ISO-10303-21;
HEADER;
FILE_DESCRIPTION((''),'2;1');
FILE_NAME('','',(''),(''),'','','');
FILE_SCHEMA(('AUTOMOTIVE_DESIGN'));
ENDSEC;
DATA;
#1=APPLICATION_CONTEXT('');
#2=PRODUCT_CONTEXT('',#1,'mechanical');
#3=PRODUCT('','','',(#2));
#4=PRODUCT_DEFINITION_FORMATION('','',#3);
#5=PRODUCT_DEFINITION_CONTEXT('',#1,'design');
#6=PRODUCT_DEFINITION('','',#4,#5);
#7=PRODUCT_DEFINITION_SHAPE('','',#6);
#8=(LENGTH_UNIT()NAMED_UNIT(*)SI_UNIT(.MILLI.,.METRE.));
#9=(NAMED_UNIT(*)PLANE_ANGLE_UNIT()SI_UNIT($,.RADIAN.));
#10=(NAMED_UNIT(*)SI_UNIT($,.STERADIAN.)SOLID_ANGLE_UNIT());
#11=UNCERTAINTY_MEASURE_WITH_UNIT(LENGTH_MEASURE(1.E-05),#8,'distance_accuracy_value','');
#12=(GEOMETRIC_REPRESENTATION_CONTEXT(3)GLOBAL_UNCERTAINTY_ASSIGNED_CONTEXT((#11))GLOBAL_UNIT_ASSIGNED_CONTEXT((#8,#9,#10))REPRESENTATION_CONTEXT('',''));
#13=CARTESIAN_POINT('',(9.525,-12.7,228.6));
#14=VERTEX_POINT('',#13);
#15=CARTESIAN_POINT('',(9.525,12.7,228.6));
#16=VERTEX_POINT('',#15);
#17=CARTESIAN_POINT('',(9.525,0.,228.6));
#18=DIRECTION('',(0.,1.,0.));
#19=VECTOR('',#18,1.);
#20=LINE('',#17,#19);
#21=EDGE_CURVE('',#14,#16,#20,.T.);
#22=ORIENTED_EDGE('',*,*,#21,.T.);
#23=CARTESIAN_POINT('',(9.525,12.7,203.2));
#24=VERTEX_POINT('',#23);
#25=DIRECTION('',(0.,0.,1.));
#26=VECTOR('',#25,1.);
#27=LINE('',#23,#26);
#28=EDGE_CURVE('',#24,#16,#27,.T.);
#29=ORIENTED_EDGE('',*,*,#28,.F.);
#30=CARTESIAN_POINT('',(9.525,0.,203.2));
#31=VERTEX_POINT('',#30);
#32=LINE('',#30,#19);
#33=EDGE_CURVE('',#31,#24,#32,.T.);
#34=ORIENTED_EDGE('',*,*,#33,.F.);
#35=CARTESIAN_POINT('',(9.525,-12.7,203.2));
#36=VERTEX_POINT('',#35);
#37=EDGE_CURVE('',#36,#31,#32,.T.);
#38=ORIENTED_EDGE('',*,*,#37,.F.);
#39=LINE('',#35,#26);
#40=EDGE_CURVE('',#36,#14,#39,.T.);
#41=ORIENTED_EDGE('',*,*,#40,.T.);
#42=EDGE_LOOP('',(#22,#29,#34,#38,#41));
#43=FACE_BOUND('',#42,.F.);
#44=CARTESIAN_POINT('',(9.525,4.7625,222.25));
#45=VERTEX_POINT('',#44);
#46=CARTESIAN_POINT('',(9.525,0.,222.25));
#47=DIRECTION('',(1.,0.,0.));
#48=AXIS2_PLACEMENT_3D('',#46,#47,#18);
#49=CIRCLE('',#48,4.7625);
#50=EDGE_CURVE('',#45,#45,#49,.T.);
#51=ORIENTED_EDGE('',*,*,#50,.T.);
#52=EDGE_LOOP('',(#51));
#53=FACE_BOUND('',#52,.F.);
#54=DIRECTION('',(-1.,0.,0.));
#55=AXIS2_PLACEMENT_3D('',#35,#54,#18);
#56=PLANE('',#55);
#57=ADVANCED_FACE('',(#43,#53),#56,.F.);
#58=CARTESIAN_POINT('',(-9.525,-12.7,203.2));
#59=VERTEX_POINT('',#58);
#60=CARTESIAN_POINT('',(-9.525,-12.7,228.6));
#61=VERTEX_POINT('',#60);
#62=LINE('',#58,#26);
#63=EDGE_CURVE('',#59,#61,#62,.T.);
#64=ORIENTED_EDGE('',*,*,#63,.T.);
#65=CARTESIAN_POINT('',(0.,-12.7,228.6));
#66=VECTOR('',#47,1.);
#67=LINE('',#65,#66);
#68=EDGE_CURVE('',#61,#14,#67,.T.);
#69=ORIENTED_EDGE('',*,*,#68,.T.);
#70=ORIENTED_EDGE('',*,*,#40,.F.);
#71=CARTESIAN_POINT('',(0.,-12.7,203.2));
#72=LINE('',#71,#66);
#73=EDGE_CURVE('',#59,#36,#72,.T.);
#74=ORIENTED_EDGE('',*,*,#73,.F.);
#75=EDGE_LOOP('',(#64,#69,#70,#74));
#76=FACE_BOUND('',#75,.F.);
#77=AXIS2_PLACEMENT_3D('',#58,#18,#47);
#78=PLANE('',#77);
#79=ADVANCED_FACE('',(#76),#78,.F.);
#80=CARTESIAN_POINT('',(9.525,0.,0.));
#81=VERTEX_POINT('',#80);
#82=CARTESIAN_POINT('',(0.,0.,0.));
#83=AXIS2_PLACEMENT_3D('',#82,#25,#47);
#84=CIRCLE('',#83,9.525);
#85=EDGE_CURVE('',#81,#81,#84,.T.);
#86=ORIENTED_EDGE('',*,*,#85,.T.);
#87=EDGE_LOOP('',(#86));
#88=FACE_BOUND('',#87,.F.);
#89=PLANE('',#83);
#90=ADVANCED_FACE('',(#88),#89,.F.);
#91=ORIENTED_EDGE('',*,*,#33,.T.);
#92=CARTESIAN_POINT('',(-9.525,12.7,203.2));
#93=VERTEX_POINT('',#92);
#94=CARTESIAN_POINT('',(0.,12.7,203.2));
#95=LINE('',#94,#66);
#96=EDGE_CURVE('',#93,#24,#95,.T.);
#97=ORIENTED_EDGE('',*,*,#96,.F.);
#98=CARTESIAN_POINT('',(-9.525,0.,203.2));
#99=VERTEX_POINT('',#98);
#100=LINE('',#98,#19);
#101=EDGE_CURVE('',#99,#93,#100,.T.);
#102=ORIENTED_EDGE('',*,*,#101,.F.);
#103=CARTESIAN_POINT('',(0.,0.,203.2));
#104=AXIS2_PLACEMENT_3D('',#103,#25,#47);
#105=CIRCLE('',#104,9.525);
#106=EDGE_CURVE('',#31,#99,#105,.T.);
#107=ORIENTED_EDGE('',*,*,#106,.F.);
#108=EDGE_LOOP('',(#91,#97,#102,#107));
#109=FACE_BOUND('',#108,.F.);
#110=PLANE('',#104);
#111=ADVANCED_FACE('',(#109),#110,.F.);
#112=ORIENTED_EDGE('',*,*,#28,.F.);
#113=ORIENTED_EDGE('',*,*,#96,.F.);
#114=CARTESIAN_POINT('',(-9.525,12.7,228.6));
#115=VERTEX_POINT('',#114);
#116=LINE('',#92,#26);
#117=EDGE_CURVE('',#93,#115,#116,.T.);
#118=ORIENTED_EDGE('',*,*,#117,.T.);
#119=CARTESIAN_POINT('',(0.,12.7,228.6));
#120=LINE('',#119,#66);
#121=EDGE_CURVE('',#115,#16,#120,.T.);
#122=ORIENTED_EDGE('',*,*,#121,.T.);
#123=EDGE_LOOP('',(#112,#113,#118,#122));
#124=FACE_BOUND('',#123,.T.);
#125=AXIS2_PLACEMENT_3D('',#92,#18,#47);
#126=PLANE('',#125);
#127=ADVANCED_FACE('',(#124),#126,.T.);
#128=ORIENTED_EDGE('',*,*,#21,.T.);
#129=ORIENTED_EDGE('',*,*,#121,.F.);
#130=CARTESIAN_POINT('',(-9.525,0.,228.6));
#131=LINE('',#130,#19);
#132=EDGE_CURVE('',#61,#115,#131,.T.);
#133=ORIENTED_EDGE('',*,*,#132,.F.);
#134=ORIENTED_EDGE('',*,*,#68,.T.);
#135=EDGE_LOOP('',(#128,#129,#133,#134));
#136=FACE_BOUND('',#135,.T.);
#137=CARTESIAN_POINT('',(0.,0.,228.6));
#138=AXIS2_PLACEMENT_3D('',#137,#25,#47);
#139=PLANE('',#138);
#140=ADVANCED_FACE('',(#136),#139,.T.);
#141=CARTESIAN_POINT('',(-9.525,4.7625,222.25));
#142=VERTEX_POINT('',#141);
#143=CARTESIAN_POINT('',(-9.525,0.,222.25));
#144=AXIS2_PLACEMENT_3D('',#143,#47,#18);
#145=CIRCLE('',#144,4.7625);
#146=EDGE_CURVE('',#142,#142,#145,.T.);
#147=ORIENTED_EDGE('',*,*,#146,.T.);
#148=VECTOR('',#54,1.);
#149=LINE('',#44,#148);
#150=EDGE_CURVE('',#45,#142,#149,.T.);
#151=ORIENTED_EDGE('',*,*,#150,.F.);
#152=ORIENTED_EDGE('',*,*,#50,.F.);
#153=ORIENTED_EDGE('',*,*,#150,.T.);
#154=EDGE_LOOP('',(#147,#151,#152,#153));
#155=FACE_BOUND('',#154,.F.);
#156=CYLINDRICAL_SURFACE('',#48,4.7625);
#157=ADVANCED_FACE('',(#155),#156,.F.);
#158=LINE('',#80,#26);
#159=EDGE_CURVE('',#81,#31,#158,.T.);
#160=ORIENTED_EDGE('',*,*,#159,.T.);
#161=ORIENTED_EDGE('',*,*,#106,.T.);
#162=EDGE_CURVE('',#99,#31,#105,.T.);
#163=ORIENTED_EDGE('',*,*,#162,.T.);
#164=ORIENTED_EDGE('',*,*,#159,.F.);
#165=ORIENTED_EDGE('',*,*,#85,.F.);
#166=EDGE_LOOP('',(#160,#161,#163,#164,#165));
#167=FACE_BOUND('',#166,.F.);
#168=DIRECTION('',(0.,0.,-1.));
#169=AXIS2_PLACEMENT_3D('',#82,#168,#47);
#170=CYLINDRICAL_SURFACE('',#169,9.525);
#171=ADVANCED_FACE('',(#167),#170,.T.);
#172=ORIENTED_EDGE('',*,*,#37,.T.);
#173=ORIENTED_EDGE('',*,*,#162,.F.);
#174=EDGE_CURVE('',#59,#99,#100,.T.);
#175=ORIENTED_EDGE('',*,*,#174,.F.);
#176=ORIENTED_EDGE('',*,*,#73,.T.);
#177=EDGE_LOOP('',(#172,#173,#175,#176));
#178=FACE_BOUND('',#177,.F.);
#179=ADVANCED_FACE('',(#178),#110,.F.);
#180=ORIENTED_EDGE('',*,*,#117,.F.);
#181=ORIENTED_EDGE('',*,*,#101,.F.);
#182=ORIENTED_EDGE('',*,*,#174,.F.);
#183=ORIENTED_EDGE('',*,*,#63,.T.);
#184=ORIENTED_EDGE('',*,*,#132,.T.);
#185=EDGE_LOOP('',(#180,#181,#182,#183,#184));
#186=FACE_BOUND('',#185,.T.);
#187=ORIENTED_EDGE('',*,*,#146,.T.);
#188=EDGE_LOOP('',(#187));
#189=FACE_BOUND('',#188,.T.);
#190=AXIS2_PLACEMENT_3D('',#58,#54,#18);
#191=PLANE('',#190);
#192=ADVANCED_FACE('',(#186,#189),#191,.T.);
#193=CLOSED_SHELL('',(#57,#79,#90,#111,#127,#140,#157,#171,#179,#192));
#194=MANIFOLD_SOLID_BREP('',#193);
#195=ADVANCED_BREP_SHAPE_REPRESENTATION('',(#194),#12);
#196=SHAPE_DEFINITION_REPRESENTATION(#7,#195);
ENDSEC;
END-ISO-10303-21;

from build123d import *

# Parameters (mm, degrees)
F0_R     = 9.525
F1_DEPTH = 203.2
F2_W     = 19.05
F2_H     = 25.4
F3_DEPTH = 25.4
F4_R     = 4.7625
F5_DEPTH = 19.051


with BuildPart() as f1:
    # F0 (on Top) → F1 (new body)
    with BuildSketch(Plane.XY):
        Circle(F0_R)
    extrude(amount=F1_DEPTH)

    # F2 (on face) → F3 (join)
    with BuildSketch(Plane.XY.offset(203.2)):
        Rectangle(F2_W, F2_H)
    extrude(amount=F3_DEPTH)

    # F4 (on face) → F5 (cut, through all)
    with BuildSketch(Plane.YZ.offset(9.525)):
        with Locations((0, 222.25)):
            Circle(F4_R)
    extrude(amount=-F5_DEPTH, mode=Mode.SUBTRACT)


solid = f1.part
